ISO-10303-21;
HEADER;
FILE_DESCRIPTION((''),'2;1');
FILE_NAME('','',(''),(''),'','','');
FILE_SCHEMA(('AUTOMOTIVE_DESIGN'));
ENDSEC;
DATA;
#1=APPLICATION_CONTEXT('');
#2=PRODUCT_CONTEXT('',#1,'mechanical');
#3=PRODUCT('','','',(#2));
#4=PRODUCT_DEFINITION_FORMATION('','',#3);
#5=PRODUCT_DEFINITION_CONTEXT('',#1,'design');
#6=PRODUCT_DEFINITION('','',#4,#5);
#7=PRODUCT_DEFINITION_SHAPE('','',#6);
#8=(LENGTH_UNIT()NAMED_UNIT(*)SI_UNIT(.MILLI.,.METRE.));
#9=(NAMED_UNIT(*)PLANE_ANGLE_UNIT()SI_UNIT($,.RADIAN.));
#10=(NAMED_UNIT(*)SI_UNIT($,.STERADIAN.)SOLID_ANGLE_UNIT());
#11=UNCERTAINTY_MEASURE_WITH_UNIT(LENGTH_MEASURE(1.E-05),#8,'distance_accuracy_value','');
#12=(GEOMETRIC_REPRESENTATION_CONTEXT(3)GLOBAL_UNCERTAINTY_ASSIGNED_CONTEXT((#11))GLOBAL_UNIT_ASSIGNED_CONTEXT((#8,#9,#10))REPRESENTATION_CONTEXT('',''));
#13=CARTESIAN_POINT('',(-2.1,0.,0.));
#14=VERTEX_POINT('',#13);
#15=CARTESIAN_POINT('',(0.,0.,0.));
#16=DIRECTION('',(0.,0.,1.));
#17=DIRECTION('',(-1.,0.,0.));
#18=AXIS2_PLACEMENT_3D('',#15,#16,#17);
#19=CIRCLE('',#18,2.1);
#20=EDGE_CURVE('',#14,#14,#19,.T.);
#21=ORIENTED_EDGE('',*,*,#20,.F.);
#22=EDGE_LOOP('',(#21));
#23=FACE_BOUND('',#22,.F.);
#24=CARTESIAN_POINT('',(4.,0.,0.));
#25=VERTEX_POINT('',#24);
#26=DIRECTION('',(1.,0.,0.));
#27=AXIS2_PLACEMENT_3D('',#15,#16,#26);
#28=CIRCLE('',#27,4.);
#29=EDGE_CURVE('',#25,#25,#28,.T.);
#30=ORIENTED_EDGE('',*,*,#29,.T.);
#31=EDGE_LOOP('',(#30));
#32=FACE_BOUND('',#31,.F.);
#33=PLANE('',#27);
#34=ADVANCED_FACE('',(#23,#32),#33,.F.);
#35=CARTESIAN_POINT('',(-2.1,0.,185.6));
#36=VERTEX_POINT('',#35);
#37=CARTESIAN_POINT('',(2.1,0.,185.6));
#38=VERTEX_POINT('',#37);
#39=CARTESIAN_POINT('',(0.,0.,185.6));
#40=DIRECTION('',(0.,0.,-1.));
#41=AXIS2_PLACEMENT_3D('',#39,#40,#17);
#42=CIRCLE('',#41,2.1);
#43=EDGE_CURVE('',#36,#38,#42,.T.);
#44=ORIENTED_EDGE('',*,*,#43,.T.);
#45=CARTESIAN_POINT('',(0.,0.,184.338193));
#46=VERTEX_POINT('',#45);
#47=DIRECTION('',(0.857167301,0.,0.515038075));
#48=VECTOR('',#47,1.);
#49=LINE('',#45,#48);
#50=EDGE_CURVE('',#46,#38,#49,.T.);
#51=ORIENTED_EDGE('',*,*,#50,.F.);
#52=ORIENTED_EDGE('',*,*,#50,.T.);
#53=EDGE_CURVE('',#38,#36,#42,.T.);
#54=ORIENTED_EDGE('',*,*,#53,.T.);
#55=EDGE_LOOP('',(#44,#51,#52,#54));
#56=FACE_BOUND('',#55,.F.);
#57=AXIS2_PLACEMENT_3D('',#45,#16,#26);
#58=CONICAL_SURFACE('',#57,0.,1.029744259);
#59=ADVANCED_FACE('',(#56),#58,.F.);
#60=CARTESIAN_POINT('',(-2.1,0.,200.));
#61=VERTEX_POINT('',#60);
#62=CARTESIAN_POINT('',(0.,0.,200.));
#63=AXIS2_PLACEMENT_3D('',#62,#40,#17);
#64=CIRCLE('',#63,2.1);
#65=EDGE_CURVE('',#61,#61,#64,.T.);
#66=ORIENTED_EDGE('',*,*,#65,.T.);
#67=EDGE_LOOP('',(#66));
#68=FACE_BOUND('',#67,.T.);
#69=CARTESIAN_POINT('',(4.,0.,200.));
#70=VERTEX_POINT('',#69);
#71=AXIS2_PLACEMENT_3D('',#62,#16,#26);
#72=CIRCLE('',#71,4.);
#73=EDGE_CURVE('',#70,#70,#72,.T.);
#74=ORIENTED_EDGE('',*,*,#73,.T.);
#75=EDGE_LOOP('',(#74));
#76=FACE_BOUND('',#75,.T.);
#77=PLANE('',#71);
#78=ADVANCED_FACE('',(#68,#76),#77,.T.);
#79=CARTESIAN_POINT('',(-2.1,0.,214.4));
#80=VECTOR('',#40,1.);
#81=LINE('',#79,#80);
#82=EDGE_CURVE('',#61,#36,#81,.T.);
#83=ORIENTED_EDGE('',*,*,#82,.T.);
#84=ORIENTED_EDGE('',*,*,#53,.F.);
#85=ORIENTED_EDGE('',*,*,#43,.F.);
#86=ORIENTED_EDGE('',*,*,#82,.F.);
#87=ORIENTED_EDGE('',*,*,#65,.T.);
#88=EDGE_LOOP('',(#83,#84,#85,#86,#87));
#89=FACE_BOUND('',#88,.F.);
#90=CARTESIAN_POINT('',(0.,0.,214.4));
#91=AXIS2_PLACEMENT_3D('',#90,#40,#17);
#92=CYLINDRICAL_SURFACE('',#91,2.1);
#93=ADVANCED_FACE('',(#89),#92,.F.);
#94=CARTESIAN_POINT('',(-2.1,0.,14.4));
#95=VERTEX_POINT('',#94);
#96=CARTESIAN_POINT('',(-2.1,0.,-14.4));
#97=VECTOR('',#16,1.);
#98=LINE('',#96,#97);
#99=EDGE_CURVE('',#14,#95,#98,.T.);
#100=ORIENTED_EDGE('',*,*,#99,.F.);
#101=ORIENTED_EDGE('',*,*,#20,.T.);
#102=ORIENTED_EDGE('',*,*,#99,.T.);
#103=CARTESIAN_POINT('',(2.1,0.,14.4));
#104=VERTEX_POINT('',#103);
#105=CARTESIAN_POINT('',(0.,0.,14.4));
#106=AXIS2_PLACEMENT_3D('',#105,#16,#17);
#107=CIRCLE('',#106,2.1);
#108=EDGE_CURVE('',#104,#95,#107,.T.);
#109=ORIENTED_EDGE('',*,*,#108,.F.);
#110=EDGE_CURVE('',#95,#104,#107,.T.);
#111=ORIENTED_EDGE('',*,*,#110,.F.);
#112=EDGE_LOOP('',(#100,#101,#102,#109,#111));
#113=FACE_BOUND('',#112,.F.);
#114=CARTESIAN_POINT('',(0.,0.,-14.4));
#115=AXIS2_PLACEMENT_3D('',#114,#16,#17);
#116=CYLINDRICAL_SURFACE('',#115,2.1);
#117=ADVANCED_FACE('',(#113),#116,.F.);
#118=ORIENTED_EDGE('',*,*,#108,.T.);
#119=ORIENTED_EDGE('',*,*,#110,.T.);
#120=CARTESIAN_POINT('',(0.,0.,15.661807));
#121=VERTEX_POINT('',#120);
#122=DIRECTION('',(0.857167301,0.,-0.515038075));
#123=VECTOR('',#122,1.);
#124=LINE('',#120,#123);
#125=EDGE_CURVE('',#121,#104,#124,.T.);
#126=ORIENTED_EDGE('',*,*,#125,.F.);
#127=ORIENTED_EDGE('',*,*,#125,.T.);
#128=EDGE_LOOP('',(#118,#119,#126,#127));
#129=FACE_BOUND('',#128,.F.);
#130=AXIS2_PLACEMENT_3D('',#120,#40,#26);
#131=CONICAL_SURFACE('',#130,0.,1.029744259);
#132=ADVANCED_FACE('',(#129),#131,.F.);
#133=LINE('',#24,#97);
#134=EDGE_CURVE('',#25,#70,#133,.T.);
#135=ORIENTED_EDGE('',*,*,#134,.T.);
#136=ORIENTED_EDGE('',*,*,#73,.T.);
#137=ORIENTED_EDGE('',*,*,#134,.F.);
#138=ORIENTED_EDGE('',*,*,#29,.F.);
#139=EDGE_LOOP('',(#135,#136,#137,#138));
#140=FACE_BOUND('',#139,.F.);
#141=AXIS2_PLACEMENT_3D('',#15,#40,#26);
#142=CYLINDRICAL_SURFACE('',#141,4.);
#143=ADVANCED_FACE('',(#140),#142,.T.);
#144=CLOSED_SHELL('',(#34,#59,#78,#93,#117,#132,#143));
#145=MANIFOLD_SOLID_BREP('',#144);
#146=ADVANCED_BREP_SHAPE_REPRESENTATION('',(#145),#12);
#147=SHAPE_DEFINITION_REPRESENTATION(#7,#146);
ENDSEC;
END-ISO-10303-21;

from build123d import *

# Parameters (mm, degrees)
F0_R     = 4
F1_DEPTH = 200
F3_D     = 4.2
F3_DEPTH = 14.4
F3_TIP   = 1.2618073
F5_D     = 4.2
F5_DEPTH = 14.4
F5_TIP   = 1.2618073


with BuildPart() as f1:
    # F0 (on Top) → F1 (new body)
    with BuildSketch(Plane.XY):
        Circle(F0_R)
    extrude(amount=F1_DEPTH)

    # F3
    with Locations(Plane.XY.offset(200)):
        with Locations((0, 0)):
            Hole(F3_D / 2, depth=F3_DEPTH)
            with Locations((0, 0, -(F3_DEPTH + F3_TIP / 2))):  # 118° drill point
                Cone(0, F3_D / 2, F3_TIP, mode=Mode.SUBTRACT)

    # F5
    with Locations(Plane(origin=(0, 0, 0), x_dir=(1, 0, 0), z_dir=(0, 0, -1))):
        with Locations((0, 0)):
            Hole(F5_D / 2, depth=F5_DEPTH)
            with Locations((0, 0, -(F5_DEPTH + F5_TIP / 2))):  # 118° drill point
                Cone(0, F5_D / 2, F5_TIP, mode=Mode.SUBTRACT)


solid = f1.part
